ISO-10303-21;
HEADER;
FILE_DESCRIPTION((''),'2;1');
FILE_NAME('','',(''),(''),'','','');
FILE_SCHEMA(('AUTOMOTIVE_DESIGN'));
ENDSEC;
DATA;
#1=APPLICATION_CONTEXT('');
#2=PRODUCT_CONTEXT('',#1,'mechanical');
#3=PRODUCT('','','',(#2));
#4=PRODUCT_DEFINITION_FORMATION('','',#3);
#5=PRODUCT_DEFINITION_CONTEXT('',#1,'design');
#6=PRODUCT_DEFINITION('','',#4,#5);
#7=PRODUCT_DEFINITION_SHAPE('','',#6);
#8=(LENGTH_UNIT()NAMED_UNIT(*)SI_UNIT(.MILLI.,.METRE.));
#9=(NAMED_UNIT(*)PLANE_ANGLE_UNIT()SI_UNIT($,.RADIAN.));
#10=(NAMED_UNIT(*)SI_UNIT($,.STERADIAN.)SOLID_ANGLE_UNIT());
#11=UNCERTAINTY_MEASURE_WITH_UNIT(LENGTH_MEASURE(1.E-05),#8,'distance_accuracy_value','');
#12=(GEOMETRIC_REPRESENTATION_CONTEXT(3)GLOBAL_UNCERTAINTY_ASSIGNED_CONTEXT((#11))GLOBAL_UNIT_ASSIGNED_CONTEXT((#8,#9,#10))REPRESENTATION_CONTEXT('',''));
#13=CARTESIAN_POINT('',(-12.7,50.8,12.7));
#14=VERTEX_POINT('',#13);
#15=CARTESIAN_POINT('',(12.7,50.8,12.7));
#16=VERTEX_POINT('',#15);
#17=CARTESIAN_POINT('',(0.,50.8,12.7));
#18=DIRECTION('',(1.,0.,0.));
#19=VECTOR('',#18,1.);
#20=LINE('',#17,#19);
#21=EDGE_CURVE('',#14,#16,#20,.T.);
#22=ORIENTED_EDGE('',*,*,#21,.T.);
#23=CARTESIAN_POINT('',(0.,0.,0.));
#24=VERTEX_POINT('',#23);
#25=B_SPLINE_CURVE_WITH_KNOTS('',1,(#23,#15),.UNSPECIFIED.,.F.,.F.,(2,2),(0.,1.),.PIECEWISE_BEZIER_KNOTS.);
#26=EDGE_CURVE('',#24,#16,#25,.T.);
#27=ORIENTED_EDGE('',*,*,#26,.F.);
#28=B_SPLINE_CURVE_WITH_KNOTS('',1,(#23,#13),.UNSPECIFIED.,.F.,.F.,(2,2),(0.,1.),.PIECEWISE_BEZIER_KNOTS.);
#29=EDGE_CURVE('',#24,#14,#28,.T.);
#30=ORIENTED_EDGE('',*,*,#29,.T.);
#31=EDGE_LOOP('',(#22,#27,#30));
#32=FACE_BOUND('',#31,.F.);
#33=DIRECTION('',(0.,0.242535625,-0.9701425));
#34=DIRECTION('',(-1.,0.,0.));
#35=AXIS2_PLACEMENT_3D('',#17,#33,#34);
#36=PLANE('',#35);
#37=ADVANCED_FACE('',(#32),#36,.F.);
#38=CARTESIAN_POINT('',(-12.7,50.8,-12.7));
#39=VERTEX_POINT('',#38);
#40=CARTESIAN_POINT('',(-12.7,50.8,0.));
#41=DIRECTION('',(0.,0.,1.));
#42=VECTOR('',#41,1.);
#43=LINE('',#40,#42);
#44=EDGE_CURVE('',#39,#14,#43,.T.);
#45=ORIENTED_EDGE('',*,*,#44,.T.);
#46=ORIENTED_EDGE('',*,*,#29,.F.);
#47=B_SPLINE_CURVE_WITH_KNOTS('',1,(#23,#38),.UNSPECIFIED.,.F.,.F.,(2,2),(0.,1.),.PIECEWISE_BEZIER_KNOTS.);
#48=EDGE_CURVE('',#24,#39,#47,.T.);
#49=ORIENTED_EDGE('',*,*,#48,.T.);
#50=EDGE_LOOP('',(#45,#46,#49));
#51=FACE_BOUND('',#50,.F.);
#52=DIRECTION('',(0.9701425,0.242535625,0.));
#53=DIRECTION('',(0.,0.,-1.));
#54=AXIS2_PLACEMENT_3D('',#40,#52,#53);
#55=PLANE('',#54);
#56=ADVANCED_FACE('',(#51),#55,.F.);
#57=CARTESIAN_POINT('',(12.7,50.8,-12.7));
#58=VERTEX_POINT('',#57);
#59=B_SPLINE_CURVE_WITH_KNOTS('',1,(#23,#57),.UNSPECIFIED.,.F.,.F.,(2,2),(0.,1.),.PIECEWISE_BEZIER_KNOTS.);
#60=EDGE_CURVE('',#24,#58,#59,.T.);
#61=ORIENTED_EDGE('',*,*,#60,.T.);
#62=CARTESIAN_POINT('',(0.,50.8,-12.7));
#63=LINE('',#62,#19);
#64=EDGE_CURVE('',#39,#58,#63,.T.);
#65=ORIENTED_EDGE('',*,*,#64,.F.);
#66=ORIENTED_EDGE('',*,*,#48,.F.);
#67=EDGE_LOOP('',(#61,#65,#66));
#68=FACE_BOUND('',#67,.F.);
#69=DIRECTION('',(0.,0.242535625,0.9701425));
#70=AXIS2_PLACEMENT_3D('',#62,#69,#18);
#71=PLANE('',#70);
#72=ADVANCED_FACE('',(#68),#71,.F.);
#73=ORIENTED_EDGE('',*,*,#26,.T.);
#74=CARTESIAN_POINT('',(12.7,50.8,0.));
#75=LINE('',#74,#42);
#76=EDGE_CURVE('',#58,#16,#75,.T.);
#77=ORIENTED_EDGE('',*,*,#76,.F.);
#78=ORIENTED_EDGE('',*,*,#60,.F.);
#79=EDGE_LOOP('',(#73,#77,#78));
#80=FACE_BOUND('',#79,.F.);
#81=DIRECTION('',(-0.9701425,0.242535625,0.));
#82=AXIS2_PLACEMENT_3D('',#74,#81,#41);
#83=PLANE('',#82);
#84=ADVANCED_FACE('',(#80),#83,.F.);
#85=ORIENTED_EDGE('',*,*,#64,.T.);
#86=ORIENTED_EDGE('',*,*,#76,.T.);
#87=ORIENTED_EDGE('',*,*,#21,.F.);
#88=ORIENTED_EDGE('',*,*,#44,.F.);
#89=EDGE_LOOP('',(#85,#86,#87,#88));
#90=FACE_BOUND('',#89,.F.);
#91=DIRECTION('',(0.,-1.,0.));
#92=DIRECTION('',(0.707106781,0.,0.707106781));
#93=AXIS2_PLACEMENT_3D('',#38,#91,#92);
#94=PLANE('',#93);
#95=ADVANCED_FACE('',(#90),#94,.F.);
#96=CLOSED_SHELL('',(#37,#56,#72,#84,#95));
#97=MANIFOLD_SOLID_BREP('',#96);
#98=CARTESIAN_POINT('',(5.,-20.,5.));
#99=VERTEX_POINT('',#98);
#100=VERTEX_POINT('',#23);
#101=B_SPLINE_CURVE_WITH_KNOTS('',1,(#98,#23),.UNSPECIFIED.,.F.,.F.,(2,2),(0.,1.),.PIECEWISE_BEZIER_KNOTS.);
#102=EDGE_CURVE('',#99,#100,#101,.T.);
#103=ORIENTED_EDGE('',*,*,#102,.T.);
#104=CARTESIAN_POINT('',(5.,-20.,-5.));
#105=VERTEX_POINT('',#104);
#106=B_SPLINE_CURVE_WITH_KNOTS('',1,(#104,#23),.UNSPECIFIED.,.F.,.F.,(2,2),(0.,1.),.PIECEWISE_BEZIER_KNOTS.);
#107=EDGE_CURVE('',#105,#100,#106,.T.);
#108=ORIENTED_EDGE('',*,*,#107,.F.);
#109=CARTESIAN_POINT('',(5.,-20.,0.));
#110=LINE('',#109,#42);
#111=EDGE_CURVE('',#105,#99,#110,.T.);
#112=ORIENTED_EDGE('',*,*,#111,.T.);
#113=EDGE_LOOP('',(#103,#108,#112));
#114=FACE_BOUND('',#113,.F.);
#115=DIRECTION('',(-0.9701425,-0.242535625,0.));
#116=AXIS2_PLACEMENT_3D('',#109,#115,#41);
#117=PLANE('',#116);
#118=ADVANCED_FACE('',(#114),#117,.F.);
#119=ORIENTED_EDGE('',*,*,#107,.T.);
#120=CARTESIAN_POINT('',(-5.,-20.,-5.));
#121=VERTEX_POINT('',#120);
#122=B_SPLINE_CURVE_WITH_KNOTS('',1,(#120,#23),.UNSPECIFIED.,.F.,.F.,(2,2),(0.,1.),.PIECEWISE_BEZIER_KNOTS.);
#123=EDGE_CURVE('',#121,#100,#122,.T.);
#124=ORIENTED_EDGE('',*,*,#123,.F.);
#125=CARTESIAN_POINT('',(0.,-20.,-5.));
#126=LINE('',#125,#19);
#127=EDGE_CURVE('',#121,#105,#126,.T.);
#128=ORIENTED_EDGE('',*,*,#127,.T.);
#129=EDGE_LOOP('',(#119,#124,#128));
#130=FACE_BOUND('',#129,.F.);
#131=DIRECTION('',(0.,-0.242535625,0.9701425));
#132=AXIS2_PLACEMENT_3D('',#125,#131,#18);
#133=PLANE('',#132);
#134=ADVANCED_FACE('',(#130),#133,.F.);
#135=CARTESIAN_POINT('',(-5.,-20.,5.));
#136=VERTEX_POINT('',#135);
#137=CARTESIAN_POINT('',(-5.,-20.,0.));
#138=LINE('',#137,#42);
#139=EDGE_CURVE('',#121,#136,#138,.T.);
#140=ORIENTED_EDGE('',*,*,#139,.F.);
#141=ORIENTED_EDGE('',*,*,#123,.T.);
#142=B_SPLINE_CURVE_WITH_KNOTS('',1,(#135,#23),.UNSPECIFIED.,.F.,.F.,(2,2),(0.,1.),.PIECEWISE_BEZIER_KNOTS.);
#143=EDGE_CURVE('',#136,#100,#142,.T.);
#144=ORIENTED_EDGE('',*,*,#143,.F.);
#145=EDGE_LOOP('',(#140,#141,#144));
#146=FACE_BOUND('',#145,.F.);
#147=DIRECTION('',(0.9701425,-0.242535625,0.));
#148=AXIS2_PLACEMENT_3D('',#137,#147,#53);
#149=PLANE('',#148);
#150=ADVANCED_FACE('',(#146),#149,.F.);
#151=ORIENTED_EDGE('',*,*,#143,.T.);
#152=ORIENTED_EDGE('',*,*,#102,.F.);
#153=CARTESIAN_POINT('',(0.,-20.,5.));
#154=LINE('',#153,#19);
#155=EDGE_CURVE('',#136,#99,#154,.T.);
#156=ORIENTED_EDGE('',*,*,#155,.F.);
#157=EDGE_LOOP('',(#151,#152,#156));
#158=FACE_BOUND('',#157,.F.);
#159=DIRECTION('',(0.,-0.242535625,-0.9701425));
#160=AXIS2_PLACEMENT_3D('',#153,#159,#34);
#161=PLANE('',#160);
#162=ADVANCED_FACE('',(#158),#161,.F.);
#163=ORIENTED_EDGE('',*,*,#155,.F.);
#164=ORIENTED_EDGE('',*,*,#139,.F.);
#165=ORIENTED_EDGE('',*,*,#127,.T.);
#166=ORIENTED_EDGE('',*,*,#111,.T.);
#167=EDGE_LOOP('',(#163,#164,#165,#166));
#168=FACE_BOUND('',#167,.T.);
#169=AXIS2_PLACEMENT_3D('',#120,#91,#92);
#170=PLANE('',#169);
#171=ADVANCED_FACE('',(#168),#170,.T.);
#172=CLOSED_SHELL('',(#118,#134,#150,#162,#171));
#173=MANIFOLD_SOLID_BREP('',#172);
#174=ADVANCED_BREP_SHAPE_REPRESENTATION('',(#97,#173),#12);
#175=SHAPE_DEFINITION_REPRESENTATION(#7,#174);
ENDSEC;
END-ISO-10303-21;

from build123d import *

# Parameters (mm, degrees)
F2_W = 10
F2_H = 10
F6_W = 25.4
F6_H = 25.4


with BuildPart() as f7:
    # F2 (on offset) → F7 section 0
    with BuildSketch(Plane.XZ.offset(20), mode=Mode.PRIVATE) as f7_s0:
        Rectangle(F2_W, F2_H)
    loft([f7_s0.sketch, Vertex(0, 0, 0)])


with BuildPart() as f8:
    # F6 (on offset) → F8 section 0
    with BuildSketch(Plane.XZ.offset(-50.8), mode=Mode.PRIVATE) as f8_s0:
        Rectangle(F6_W, F6_H)
    loft([Vertex(0, 0, 0), f8_s0.sketch])


solid = Compound([f7.part, f8.part])
